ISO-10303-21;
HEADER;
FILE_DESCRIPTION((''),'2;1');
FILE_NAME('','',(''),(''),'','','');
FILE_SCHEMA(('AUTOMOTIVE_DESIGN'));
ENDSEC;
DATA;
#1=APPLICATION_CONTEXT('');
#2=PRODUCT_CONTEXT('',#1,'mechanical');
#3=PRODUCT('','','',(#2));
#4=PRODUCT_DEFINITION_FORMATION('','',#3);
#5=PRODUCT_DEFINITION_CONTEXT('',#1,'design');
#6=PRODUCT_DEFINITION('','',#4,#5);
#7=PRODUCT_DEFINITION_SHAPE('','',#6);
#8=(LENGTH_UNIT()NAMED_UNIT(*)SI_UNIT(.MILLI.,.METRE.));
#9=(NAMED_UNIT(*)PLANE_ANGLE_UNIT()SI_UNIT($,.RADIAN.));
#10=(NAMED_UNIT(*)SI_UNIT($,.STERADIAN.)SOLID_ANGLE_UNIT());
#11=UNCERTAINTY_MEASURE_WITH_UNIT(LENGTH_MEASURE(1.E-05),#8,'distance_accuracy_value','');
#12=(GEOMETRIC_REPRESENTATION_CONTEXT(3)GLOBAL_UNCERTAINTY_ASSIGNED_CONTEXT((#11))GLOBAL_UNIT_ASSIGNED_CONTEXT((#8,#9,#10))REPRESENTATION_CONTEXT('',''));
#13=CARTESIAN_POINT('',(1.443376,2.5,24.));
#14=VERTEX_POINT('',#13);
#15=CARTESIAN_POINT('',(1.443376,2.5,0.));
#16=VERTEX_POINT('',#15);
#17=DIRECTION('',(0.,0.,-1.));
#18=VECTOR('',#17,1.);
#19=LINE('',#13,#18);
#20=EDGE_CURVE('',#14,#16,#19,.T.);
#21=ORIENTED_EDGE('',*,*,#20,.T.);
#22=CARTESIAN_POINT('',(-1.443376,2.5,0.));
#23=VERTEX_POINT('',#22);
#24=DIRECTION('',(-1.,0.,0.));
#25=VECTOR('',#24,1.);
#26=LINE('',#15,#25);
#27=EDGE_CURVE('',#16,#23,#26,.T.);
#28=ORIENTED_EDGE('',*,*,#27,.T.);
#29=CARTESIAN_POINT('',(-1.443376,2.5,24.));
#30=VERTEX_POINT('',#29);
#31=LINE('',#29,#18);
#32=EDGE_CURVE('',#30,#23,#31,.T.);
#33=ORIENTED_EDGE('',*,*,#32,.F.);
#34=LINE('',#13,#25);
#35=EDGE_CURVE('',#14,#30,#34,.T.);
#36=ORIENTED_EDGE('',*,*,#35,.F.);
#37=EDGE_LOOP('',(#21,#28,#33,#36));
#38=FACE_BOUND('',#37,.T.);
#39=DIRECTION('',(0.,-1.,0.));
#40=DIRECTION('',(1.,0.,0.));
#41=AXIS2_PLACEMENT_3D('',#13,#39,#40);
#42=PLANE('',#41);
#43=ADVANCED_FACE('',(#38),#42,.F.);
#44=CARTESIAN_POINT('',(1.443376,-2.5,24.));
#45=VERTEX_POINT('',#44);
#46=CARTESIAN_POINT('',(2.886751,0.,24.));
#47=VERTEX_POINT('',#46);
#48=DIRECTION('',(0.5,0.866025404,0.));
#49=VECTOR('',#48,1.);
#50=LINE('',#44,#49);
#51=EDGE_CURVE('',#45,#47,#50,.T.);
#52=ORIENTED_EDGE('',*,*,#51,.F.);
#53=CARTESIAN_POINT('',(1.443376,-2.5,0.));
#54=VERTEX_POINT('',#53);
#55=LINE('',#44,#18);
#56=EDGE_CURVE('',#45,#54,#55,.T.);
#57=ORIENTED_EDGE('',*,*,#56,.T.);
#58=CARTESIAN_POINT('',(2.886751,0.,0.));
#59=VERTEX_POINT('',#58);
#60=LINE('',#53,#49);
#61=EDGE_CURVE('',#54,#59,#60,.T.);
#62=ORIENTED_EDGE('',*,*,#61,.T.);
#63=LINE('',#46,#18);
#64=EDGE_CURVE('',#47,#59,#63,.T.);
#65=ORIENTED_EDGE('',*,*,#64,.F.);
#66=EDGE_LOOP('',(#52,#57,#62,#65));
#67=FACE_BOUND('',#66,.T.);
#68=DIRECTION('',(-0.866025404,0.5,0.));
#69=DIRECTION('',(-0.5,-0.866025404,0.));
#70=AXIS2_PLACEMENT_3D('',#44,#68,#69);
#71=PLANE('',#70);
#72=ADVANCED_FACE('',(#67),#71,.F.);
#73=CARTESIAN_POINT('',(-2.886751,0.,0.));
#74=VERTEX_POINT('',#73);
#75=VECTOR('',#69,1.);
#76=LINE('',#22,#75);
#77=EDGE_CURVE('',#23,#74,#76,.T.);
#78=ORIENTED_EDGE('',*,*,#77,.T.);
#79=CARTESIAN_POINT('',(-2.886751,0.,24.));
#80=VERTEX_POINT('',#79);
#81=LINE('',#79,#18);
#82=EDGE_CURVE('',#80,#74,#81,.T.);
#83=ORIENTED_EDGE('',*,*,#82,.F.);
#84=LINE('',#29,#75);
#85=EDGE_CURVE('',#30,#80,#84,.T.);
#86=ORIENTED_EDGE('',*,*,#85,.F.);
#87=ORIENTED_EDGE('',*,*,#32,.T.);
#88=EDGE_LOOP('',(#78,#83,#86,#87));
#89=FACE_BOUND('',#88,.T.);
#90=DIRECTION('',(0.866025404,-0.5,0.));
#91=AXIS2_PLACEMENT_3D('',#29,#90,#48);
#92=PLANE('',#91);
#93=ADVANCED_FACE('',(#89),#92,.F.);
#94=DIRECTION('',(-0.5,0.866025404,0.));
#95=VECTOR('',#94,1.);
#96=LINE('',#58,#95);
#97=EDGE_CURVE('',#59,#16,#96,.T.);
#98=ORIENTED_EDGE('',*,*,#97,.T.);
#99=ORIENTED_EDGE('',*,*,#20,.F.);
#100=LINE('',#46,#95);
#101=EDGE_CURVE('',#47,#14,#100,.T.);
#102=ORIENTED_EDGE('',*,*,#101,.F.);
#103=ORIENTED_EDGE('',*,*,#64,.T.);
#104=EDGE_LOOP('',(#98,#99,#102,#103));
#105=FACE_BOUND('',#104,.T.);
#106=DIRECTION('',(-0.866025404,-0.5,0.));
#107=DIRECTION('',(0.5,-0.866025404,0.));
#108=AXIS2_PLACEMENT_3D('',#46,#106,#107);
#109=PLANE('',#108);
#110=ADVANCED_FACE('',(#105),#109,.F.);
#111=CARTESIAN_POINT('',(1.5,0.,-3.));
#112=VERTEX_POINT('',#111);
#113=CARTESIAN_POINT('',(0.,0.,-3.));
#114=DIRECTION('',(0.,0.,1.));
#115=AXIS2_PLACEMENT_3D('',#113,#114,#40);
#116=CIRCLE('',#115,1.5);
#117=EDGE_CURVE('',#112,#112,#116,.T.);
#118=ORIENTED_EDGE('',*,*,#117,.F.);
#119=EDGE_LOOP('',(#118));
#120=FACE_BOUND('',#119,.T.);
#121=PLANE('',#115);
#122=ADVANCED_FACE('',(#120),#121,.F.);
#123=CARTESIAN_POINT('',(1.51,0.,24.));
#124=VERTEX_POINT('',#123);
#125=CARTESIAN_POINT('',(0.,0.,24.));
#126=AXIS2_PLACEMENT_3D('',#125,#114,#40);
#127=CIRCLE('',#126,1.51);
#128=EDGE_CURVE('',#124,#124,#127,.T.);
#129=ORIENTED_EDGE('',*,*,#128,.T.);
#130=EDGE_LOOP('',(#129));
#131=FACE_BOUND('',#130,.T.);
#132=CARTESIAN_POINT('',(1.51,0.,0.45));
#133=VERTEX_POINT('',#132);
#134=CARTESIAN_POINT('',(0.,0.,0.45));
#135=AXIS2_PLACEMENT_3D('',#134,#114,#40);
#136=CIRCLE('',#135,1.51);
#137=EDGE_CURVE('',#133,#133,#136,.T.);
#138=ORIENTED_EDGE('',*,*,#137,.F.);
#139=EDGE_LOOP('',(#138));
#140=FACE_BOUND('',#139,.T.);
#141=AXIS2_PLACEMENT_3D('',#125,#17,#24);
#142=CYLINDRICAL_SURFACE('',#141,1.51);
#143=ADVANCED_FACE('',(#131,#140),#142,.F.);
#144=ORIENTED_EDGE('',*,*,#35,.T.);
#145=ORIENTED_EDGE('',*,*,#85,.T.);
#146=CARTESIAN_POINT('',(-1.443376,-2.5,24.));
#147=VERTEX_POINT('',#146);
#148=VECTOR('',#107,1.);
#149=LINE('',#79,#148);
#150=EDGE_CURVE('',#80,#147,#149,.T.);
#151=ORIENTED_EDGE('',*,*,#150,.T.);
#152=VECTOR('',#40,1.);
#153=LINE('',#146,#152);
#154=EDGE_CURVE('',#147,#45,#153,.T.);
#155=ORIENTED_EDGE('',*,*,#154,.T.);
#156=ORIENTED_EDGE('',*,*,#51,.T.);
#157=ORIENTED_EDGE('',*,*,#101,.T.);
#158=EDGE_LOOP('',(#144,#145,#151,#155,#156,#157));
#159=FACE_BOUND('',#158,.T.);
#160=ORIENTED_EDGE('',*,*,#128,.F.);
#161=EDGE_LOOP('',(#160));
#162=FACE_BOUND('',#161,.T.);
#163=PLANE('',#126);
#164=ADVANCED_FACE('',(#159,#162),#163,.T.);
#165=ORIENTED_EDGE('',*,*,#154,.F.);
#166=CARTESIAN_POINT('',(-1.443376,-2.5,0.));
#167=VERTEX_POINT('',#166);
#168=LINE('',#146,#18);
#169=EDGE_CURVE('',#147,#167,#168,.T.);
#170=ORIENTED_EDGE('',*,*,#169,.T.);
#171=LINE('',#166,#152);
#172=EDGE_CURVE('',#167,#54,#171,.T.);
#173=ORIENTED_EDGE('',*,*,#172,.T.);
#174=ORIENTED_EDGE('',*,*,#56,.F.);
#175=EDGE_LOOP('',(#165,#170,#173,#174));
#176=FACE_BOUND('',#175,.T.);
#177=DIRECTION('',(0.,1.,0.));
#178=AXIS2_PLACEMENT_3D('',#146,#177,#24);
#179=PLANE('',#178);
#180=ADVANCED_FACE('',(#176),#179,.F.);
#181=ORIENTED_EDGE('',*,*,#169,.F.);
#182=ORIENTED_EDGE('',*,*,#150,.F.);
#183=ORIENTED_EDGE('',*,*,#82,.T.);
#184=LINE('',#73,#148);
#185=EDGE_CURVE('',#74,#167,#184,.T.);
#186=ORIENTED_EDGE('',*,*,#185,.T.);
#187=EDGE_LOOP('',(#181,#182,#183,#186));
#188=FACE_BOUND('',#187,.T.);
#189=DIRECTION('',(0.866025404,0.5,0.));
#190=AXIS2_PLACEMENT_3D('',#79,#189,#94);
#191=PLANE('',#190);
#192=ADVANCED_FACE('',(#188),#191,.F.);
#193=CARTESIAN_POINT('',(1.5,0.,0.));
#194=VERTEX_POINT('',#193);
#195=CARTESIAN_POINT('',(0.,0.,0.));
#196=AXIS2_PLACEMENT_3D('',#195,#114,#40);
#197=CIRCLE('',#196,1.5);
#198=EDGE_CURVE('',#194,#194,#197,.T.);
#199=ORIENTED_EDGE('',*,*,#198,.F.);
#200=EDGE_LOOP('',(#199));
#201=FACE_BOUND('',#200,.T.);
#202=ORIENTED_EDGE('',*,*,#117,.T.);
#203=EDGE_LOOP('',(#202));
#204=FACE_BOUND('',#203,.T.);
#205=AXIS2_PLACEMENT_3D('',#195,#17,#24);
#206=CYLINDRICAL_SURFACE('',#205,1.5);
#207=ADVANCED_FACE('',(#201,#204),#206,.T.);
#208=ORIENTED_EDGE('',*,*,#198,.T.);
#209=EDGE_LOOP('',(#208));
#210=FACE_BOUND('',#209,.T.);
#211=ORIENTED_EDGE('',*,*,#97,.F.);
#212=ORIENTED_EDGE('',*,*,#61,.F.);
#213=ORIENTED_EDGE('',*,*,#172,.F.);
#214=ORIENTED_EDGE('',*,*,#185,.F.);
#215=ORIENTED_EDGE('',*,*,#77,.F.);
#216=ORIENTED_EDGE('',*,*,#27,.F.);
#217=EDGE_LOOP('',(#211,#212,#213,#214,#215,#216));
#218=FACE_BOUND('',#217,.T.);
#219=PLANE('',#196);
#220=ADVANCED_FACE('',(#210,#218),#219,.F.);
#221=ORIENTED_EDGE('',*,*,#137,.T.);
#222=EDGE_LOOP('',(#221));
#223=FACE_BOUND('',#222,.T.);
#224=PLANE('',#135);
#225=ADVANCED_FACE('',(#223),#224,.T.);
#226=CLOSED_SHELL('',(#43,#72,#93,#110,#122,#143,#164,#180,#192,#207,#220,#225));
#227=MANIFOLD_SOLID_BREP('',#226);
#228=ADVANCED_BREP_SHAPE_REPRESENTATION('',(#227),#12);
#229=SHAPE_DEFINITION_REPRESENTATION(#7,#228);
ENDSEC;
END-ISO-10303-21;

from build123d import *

# Parameters (mm, degrees)
FEMALE_M3_HEX_STANDOFF_AF5_SKETCH_R = 1.51
FEMALE_M3_HEX_STANDOFF_AF5_DEPTH    = 24
STUD_ROOT_SKETCH_R                  = 1.85
STUD_ROOT_DEPTH                     = 0.45
MALE_M3_STUD_ENVELOPE_START         = -3
MALE_M3_STUD_ENVELOPE_SKETCH_R      = 1.5
MALE_M3_STUD_ENVELOPE_DEPTH         = 3


with BuildPart() as part:
    # Female_M3_hex_standoff_AF5_Sketch → Female_M3_hex_standoff_AF5 (new body)
    with BuildSketch(Plane.XY):
        Polygon((2.886751346, 0), (1.443375673, 2.5), (-1.443375673, 2.5), (-2.886751346, 0), (-1.443375673, -2.5), (1.443375673, -2.5), align=None)
        Circle(FEMALE_M3_HEX_STANDOFF_AF5_SKETCH_R, mode=Mode.SUBTRACT)
    extrude(amount=FEMALE_M3_HEX_STANDOFF_AF5_DEPTH)

    # Stud_root_Sketch → Stud_root (add)
    with BuildSketch(Plane.XY):
        Circle(STUD_ROOT_SKETCH_R)
    extrude(amount=STUD_ROOT_DEPTH)

    # Male_M3_stud_envelope_Sketch → Male_M3_stud_envelope (add)
    with BuildSketch(Plane.XY.offset(MALE_M3_STUD_ENVELOPE_START)):
        Circle(MALE_M3_STUD_ENVELOPE_SKETCH_R)
    extrude(amount=MALE_M3_STUD_ENVELOPE_DEPTH)


solid = part.part
